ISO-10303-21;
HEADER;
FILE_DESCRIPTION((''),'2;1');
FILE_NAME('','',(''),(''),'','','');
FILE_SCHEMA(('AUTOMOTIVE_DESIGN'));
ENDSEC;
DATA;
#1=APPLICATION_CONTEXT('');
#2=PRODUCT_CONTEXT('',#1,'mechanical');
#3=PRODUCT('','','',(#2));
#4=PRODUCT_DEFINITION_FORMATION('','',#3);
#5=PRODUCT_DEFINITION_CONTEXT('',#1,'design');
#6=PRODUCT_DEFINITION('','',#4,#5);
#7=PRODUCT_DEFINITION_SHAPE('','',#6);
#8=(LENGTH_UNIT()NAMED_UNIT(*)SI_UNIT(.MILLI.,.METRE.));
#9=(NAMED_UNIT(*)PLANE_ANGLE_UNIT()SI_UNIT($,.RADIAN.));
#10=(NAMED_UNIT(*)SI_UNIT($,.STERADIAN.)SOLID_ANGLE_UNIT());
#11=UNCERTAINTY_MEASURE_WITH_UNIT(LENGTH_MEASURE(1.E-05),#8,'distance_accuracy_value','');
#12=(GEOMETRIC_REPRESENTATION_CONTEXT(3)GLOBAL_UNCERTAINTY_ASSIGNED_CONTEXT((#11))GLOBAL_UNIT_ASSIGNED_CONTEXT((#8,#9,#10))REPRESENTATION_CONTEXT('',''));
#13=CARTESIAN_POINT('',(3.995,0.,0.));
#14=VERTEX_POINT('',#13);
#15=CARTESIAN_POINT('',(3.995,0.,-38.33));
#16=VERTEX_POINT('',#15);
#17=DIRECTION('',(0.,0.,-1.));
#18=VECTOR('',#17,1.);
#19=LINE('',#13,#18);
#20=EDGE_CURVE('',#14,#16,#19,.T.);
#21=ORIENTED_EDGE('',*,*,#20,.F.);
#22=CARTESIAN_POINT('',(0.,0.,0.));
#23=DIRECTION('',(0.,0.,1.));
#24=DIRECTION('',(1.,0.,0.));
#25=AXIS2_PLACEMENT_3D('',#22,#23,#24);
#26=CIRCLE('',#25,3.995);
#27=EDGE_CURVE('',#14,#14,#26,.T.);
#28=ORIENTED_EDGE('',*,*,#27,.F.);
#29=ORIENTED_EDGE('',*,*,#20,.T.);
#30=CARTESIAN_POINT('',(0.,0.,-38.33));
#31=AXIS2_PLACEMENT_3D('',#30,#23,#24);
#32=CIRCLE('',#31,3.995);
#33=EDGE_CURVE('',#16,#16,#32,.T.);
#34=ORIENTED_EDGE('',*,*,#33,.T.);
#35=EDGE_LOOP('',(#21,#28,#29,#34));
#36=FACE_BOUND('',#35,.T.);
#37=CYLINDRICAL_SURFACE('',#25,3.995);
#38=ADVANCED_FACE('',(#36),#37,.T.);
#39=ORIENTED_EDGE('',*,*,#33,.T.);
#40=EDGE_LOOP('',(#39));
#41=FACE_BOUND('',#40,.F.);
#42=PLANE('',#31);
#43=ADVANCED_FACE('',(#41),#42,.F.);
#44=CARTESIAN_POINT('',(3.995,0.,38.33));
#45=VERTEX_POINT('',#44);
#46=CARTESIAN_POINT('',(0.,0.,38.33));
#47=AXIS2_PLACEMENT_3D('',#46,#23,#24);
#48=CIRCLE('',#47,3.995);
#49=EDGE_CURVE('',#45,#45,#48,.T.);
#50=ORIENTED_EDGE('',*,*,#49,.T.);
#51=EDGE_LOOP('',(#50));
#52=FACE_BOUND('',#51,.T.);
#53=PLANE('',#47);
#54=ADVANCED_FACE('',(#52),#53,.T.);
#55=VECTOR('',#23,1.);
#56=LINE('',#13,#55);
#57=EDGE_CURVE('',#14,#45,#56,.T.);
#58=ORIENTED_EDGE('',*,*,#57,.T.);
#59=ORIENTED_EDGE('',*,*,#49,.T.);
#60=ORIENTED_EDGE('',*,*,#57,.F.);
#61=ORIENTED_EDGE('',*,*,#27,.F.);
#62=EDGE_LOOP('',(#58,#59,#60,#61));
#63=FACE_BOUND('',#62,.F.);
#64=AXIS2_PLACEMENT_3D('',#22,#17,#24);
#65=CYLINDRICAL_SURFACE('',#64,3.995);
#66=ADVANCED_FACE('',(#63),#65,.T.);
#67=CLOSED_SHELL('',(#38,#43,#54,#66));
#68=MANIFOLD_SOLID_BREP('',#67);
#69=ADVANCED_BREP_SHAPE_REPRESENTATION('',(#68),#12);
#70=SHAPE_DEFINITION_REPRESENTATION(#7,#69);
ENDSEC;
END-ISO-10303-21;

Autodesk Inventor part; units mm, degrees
ref_plane "YZ Plane" through (0, 0, 0) normal (1, 0, 0) x (0, 1, 0)
ref_plane "XZ Plane" through (0, 0, 0) normal (0, 1, 0) x (-1, 0, 0)
ref_plane "XY Plane" through (0, 0, 0) normal (0, 0, 1) x (1, 0, 0)
sketch "Sketch1" plane through (0, 0, 0) normal (0, 0, 1) x (1, 0, 0)
  circle A0 centre (0, 0) radius 3.995
  dimension "d0" = 7.99
  dimension "d0" = 7.99
extrude "Extrusion1" add sketch "Sketch1" along normal mid plane 76.66
properties part number "Cartridge-Foam"
